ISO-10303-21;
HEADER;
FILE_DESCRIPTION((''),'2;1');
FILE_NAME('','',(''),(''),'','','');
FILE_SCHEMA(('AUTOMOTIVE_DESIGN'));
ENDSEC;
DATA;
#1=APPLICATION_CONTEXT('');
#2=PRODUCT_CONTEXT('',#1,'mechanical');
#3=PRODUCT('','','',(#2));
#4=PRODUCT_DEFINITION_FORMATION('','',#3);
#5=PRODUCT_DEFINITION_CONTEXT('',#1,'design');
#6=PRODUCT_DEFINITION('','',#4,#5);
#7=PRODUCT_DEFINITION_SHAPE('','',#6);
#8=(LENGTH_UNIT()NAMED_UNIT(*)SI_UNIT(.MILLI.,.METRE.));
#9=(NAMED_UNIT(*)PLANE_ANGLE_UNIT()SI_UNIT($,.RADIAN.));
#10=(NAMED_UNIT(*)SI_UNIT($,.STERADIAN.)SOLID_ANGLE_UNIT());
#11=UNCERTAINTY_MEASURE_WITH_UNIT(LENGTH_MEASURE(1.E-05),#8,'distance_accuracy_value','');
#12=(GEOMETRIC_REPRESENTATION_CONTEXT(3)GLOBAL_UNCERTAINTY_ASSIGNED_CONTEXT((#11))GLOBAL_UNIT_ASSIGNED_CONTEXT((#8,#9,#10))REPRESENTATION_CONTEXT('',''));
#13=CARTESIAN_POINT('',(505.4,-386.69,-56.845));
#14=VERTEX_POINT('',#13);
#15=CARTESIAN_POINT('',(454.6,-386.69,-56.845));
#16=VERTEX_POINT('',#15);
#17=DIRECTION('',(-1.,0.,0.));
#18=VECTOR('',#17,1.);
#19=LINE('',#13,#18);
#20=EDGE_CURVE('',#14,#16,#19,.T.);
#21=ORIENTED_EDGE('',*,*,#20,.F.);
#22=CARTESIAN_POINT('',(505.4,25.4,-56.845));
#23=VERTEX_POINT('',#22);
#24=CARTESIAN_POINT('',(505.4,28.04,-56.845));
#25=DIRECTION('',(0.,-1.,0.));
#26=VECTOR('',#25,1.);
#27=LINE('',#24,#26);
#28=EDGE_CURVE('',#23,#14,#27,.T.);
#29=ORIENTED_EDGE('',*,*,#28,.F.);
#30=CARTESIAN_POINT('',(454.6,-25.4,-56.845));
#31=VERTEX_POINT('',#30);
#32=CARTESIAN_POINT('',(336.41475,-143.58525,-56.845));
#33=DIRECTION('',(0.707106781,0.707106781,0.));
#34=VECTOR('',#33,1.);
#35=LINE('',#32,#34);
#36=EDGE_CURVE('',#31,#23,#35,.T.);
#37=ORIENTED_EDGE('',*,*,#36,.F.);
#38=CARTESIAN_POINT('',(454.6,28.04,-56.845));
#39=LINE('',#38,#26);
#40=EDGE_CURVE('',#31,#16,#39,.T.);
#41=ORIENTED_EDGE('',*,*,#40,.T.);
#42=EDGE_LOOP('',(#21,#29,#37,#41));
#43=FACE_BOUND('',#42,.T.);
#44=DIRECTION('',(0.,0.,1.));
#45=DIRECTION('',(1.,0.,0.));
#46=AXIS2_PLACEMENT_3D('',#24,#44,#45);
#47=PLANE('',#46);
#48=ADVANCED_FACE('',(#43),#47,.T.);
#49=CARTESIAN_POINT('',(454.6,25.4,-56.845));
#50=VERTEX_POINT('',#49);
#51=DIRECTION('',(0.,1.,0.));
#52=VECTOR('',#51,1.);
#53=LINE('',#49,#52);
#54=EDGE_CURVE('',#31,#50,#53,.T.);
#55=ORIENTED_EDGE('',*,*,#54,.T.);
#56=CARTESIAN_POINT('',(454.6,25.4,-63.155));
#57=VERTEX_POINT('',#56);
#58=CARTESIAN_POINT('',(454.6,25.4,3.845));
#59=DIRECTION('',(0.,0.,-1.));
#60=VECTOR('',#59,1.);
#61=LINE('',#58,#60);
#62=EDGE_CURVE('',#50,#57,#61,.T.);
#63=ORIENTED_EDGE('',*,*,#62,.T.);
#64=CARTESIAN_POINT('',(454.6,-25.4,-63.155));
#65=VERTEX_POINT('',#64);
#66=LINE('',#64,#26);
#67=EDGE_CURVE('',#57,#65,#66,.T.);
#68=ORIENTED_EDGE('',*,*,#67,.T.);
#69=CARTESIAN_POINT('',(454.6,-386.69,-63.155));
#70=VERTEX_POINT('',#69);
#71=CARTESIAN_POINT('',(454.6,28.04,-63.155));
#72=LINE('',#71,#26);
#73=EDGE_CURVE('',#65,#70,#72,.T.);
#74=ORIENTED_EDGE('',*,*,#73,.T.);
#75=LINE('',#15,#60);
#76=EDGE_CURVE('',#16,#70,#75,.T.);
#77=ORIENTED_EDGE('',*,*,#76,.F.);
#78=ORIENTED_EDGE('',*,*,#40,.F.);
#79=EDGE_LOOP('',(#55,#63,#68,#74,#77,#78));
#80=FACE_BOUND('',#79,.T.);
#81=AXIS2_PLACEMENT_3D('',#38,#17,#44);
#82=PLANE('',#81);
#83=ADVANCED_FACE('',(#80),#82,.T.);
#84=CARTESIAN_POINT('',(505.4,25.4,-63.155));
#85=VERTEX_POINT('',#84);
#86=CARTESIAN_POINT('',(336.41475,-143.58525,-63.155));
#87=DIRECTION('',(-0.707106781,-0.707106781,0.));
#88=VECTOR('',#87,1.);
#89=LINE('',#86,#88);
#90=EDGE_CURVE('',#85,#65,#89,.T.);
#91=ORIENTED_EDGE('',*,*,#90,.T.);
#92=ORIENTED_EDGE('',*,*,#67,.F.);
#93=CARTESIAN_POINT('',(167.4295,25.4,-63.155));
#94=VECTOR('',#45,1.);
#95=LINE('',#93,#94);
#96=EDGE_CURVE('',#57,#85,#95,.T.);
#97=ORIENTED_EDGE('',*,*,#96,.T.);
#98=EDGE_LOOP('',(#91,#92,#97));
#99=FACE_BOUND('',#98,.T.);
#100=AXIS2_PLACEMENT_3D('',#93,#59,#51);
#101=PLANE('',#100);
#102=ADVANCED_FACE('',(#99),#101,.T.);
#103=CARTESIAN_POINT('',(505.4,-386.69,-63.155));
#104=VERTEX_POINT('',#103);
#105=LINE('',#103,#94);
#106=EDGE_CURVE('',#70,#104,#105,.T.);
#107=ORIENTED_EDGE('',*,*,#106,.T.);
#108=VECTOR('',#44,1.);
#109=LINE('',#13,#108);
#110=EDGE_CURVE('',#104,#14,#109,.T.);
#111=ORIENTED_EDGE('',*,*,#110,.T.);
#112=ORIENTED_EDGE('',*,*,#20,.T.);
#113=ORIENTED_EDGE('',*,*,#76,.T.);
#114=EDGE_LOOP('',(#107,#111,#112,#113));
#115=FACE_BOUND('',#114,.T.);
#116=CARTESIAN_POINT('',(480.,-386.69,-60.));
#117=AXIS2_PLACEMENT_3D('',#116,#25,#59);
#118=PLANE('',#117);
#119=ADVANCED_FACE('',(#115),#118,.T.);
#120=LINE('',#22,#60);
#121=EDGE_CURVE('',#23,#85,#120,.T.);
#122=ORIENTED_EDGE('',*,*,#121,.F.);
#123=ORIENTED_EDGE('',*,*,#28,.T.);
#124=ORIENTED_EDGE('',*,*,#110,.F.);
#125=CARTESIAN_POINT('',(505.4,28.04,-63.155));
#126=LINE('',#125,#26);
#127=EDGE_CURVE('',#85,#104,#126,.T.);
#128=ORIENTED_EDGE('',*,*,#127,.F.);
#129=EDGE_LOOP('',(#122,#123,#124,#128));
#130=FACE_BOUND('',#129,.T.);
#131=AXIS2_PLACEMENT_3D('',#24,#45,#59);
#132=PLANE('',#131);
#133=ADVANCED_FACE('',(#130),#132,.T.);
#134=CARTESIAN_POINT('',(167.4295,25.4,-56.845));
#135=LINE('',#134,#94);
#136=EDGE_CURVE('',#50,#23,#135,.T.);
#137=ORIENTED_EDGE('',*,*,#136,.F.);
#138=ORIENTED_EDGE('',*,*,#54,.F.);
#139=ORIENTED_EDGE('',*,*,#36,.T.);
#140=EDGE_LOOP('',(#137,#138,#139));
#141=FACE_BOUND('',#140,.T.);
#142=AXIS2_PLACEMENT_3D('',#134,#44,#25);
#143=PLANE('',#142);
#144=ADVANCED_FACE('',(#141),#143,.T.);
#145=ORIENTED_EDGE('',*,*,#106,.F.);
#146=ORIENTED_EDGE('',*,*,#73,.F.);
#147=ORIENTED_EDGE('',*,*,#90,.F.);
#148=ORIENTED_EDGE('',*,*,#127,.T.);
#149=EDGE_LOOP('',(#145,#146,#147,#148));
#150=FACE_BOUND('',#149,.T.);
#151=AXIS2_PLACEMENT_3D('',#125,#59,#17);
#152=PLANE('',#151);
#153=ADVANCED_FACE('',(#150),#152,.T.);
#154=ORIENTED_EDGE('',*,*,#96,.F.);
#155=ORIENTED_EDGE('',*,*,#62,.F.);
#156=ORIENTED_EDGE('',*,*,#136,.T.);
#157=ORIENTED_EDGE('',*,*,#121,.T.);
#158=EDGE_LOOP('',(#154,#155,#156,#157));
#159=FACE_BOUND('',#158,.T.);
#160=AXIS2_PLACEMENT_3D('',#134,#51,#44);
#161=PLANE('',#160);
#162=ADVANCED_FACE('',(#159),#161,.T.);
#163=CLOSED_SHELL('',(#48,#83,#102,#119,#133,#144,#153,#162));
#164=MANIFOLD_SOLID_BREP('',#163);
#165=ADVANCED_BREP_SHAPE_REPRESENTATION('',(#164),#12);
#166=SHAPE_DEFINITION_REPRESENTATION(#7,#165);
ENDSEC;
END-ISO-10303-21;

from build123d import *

# Parameters (mm, degrees)
CROQUIS2_W              = 6.31
CROQUIS2_H              = 50.8
CROQUIS3_W              = 174.155
CROQUIS3_H              = 6.31
CORTAR_EXTRUIR1_DEPTH   = 70
CROQUIS4_W              = 6.31
CROQUIS4_H              = 50.8
SALIENTE_EXTRUIR1_DEPTH = 40
CROQUIS5_R              = 6.35
CORTAR_EXTRUIR2_DEPTH   = 10
CROQUIS6_W              = 50.8
CROQUIS6_H              = 6.31
SALIENTE_EXTRUIR2_DEPTH = 50.8
CROQUIS7_W              = 40
CROQUIS7_H              = 50.8
CORTAR_EXTRUIR3_DEPTH   = 10
CROQUIS9_W              = 337.555
CROQUIS9_H              = 50.8
CORTAR_EXTRUIR4_DEPTH   = 67


with BuildPart() as part:
    # Barrer1: sweep along a curve in space
    with BuildLine() as barrer1_path:
        Line((0, 0, 0), (171, 0, 0))
        Line((171, 0, 0), (171, 0, -60))
        Line((171, 0, -60), (480, 0, -60))
        Line((480, 0, -60), (480, -386.69, -60))
    # Croquis2 → Barrer1 (sweep)
    with BuildSketch(Plane(origin=(0, 0, 0), x_dir=(0, 0, -1), z_dir=(1, 0, 0))):
        Rectangle(CROQUIS2_W, CROQUIS2_H)
    sweep(path=barrer1_path.line, transition=Transition.RIGHT)

    # Croquis3 → Cortar-Extruir1 (cut)
    with BuildSketch(Plane.XZ.offset(25.4)):
        with Locations((87.0775, 0)):
            Rectangle(CROQUIS3_W, CROQUIS3_H)
    extrude(amount=-CORTAR_EXTRUIR1_DEPTH, mode=Mode.SUBTRACT)

    # Croquis4 → Saliente-Extruir1 (add)
    with BuildSketch(Plane.XY.offset(-56.845)):
        with Locations((457.755, -361.29)):
            Rectangle(CROQUIS4_W, CROQUIS4_H)
    extrude(amount=SALIENTE_EXTRUIR1_DEPTH)

    # Croquis5 → Cortar-Extruir2 (cut)
    with BuildSketch(Plane(origin=(460.91, 0, 0), x_dir=(0, 0, -1), z_dir=(1, 0, 0))):
        with Locations((34.155, -346.6)):
            Circle(CROQUIS5_R)
        with Locations((34.155, -378.6)):
            Circle(CROQUIS5_R)
    extrude(amount=-CORTAR_EXTRUIR2_DEPTH, mode=Mode.SUBTRACT)

    # Croquis6 → Saliente-Extruir2 (add)
    with BuildSketch(Plane.ZY.offset(-167.845)):
        with Locations((-28.555, 22.245)):
            Rectangle(CROQUIS6_W, CROQUIS6_H)
    extrude(amount=SALIENTE_EXTRUIR2_DEPTH)

    # Croquis7 → Cortar-Extruir3 (cut)
    with BuildSketch(Plane(origin=(460.91, 0, 0), x_dir=(0, 0, -1), z_dir=(1, 0, 0))):
        with Locations((36.845, -361.29)):
            Rectangle(CROQUIS7_W, CROQUIS7_H)
    extrude(amount=-CORTAR_EXTRUIR3_DEPTH, mode=Mode.SUBTRACT)

    # Croquis9 → Cortar-Extruir4 (cut)
    with BuildSketch(Plane(origin=(0, 0, -63.155), x_dir=(-1, 0, 0), z_dir=(0, 0, -1))):
        with Locations((-285.8225, 0)):
            Rectangle(CROQUIS9_W, CROQUIS9_H)
    extrude(amount=-CORTAR_EXTRUIR4_DEPTH, mode=Mode.SUBTRACT)


solid = part.part
